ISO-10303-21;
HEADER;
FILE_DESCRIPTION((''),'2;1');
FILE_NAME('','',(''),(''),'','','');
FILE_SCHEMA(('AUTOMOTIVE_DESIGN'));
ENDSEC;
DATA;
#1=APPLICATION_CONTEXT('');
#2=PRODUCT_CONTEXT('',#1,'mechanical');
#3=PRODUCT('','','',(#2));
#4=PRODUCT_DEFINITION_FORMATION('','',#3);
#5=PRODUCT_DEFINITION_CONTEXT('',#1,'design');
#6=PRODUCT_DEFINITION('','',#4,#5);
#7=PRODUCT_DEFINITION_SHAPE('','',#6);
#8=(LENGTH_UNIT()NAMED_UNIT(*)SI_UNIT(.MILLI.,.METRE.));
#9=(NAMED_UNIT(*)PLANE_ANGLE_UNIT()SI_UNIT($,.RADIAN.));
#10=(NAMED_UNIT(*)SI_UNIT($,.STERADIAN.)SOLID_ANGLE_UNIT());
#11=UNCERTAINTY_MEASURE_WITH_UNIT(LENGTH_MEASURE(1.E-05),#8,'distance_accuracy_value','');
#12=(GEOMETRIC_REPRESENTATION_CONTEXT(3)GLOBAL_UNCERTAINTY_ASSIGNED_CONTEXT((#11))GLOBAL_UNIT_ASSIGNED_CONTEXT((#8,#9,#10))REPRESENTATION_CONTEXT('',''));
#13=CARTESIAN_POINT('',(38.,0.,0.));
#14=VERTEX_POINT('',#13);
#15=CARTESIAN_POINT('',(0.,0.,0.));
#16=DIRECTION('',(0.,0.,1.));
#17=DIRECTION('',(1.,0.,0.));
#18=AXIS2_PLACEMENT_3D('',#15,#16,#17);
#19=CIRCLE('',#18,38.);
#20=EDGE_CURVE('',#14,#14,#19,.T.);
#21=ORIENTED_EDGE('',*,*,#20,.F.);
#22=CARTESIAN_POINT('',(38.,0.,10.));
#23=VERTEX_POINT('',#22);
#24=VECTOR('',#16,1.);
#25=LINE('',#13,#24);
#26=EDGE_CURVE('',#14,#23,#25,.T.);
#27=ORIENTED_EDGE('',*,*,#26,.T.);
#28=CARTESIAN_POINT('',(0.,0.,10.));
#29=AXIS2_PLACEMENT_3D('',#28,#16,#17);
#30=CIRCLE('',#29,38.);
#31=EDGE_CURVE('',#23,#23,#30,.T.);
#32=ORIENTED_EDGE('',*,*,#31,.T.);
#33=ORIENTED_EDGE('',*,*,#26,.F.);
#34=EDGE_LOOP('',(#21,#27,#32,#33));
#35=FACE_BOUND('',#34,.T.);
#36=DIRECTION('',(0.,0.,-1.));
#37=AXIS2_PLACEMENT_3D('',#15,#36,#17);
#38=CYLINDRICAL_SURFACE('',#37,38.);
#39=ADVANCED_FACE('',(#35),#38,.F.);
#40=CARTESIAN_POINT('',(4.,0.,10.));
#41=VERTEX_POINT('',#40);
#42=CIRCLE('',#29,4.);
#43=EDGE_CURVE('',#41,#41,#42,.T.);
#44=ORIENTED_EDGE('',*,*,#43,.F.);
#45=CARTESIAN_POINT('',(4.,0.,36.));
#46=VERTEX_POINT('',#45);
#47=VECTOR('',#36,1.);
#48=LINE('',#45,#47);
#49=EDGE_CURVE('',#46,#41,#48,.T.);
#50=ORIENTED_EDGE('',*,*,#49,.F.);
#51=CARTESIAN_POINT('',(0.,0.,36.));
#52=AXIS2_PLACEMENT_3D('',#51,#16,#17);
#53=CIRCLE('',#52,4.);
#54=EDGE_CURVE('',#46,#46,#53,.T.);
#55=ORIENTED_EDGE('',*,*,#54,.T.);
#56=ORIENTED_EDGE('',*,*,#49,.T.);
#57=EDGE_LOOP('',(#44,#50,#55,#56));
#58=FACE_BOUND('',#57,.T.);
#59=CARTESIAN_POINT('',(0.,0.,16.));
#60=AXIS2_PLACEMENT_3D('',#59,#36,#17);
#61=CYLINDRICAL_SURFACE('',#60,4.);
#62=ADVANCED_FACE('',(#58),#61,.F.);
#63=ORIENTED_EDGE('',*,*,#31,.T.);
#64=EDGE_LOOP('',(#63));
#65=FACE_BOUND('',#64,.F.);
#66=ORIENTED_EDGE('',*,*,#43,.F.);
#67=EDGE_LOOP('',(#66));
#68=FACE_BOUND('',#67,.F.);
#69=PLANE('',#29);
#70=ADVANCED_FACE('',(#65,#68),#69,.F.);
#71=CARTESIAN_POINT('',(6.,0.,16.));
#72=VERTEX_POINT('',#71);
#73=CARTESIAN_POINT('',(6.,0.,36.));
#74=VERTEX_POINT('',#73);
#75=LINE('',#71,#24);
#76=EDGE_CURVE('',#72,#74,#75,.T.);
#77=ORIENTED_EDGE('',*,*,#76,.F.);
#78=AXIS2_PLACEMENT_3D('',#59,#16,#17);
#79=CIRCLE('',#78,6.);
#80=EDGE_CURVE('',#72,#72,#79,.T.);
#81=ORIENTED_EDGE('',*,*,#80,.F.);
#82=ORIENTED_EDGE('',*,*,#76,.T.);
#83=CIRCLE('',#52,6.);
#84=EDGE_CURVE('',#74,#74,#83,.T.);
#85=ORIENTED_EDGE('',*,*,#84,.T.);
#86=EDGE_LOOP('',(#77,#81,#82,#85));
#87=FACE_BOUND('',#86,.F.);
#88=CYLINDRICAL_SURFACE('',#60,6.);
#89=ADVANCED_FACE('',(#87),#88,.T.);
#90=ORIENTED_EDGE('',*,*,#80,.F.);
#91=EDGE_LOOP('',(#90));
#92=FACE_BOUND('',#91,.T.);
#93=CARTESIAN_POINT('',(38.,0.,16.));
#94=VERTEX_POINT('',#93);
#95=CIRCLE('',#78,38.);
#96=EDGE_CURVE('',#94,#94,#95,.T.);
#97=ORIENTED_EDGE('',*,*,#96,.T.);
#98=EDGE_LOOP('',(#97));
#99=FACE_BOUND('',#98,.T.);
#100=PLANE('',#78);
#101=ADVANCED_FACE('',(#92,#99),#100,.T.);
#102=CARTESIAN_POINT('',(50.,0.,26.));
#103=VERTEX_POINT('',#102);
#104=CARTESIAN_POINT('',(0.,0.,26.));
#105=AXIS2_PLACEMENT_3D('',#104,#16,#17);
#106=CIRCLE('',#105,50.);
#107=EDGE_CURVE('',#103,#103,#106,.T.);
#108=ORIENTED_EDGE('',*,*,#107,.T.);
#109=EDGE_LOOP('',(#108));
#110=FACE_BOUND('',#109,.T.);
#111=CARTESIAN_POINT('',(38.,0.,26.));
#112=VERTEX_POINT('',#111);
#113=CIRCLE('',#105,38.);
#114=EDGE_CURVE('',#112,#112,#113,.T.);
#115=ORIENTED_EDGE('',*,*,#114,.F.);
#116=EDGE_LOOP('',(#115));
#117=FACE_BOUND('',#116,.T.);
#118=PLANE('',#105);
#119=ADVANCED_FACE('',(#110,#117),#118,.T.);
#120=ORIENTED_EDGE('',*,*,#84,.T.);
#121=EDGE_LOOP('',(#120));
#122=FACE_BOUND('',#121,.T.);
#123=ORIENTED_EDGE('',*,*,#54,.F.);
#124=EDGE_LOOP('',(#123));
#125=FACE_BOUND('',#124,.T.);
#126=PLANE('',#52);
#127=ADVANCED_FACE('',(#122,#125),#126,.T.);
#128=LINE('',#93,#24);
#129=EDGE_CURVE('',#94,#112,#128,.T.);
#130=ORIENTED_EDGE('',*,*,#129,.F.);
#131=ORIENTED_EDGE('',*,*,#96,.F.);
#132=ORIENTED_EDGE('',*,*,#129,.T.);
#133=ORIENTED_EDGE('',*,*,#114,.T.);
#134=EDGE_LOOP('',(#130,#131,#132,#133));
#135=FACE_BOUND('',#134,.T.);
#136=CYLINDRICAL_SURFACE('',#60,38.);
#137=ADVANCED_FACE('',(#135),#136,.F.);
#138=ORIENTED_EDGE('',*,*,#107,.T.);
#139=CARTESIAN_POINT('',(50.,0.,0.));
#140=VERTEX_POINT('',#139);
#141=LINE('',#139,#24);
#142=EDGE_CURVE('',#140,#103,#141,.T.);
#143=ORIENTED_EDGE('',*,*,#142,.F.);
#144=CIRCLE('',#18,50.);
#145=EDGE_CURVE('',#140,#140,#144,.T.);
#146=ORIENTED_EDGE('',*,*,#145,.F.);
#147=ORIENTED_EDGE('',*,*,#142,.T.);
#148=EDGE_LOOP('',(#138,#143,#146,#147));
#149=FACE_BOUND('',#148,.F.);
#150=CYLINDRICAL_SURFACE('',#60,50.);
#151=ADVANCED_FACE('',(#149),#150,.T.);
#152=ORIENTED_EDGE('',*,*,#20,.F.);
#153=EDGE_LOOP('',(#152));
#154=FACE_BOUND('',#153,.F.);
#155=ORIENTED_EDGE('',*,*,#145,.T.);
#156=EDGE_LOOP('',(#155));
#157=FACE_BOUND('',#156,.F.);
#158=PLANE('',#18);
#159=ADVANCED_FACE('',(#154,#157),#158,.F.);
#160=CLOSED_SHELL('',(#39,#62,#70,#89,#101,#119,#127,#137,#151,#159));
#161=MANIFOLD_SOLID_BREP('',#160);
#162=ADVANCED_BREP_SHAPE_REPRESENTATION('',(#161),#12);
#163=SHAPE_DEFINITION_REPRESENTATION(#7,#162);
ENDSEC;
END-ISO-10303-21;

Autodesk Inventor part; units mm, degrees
ref_plane "YZ Plane" through (0, 0, 0) normal (1, 0, 0) x (0, 1, 0)
ref_plane "XZ Plane" through (0, 0, 0) normal (0, 1, 0) x (-1, 0, 0)
ref_plane "XY Plane" through (0, 0, 0) normal (0, 0, 1) x (1, 0, 0)
sketch "Sketch1" plane through (0, 0, 0) normal (0, 0, 1) x (1, 0, 0)
  circle A0 centre (0, 0) radius 4
  circle A1 centre (0, 0) radius 50
  circle A2 centre (0, 0) radius 38
  dimension "d0" = 8
  dimension "d1" = 100
  dimension "d2" = 12
extrude "Extrusion1" add sketch "Sketch1" along normal blind 10 contours A1
sketch "Sketch2" plane through (0, 0, 10) normal (0, 0, 1) x (1, 0, 0)
  circle A0 centre (0, 0) radius 50
  circle A1 centre (0, 0) radius 4
  dimension "d5" = 8
  dimension "d6" = 100
sketch "Sketch3" plane through (0, 0, 10) normal (0, 0, 1) x (1, 0, 0)
  point P0 (0, 0)
extrude "Extrusion2" add sketch "Sketch2" along normal blind 6
sketch "Sketch4" plane through (0, 0, 16) normal (0, 0, 1) x (1, 0, 0)
  circle A0 centre (0, 0) radius 38
  circle A1 centre (0, 0) radius 50
  dimension "d9" = 76
  dimension "d10" = 100
extrude "Extrusion3" add sketch "Sketch4" along normal blind 10
sketch "Sketch5" plane through (0, 0, 16) normal (0, 0, 1) x (1, 0, 0)
  circle A0 centre (0, 0) radius 4
  circle A1 centre (0, 0) radius 6
  dimension "d13" = 8
  dimension "d14" = 12
extrude "Extrusion4" add sketch "Sketch5" along normal blind 20
properties part number "100mm wheel"
